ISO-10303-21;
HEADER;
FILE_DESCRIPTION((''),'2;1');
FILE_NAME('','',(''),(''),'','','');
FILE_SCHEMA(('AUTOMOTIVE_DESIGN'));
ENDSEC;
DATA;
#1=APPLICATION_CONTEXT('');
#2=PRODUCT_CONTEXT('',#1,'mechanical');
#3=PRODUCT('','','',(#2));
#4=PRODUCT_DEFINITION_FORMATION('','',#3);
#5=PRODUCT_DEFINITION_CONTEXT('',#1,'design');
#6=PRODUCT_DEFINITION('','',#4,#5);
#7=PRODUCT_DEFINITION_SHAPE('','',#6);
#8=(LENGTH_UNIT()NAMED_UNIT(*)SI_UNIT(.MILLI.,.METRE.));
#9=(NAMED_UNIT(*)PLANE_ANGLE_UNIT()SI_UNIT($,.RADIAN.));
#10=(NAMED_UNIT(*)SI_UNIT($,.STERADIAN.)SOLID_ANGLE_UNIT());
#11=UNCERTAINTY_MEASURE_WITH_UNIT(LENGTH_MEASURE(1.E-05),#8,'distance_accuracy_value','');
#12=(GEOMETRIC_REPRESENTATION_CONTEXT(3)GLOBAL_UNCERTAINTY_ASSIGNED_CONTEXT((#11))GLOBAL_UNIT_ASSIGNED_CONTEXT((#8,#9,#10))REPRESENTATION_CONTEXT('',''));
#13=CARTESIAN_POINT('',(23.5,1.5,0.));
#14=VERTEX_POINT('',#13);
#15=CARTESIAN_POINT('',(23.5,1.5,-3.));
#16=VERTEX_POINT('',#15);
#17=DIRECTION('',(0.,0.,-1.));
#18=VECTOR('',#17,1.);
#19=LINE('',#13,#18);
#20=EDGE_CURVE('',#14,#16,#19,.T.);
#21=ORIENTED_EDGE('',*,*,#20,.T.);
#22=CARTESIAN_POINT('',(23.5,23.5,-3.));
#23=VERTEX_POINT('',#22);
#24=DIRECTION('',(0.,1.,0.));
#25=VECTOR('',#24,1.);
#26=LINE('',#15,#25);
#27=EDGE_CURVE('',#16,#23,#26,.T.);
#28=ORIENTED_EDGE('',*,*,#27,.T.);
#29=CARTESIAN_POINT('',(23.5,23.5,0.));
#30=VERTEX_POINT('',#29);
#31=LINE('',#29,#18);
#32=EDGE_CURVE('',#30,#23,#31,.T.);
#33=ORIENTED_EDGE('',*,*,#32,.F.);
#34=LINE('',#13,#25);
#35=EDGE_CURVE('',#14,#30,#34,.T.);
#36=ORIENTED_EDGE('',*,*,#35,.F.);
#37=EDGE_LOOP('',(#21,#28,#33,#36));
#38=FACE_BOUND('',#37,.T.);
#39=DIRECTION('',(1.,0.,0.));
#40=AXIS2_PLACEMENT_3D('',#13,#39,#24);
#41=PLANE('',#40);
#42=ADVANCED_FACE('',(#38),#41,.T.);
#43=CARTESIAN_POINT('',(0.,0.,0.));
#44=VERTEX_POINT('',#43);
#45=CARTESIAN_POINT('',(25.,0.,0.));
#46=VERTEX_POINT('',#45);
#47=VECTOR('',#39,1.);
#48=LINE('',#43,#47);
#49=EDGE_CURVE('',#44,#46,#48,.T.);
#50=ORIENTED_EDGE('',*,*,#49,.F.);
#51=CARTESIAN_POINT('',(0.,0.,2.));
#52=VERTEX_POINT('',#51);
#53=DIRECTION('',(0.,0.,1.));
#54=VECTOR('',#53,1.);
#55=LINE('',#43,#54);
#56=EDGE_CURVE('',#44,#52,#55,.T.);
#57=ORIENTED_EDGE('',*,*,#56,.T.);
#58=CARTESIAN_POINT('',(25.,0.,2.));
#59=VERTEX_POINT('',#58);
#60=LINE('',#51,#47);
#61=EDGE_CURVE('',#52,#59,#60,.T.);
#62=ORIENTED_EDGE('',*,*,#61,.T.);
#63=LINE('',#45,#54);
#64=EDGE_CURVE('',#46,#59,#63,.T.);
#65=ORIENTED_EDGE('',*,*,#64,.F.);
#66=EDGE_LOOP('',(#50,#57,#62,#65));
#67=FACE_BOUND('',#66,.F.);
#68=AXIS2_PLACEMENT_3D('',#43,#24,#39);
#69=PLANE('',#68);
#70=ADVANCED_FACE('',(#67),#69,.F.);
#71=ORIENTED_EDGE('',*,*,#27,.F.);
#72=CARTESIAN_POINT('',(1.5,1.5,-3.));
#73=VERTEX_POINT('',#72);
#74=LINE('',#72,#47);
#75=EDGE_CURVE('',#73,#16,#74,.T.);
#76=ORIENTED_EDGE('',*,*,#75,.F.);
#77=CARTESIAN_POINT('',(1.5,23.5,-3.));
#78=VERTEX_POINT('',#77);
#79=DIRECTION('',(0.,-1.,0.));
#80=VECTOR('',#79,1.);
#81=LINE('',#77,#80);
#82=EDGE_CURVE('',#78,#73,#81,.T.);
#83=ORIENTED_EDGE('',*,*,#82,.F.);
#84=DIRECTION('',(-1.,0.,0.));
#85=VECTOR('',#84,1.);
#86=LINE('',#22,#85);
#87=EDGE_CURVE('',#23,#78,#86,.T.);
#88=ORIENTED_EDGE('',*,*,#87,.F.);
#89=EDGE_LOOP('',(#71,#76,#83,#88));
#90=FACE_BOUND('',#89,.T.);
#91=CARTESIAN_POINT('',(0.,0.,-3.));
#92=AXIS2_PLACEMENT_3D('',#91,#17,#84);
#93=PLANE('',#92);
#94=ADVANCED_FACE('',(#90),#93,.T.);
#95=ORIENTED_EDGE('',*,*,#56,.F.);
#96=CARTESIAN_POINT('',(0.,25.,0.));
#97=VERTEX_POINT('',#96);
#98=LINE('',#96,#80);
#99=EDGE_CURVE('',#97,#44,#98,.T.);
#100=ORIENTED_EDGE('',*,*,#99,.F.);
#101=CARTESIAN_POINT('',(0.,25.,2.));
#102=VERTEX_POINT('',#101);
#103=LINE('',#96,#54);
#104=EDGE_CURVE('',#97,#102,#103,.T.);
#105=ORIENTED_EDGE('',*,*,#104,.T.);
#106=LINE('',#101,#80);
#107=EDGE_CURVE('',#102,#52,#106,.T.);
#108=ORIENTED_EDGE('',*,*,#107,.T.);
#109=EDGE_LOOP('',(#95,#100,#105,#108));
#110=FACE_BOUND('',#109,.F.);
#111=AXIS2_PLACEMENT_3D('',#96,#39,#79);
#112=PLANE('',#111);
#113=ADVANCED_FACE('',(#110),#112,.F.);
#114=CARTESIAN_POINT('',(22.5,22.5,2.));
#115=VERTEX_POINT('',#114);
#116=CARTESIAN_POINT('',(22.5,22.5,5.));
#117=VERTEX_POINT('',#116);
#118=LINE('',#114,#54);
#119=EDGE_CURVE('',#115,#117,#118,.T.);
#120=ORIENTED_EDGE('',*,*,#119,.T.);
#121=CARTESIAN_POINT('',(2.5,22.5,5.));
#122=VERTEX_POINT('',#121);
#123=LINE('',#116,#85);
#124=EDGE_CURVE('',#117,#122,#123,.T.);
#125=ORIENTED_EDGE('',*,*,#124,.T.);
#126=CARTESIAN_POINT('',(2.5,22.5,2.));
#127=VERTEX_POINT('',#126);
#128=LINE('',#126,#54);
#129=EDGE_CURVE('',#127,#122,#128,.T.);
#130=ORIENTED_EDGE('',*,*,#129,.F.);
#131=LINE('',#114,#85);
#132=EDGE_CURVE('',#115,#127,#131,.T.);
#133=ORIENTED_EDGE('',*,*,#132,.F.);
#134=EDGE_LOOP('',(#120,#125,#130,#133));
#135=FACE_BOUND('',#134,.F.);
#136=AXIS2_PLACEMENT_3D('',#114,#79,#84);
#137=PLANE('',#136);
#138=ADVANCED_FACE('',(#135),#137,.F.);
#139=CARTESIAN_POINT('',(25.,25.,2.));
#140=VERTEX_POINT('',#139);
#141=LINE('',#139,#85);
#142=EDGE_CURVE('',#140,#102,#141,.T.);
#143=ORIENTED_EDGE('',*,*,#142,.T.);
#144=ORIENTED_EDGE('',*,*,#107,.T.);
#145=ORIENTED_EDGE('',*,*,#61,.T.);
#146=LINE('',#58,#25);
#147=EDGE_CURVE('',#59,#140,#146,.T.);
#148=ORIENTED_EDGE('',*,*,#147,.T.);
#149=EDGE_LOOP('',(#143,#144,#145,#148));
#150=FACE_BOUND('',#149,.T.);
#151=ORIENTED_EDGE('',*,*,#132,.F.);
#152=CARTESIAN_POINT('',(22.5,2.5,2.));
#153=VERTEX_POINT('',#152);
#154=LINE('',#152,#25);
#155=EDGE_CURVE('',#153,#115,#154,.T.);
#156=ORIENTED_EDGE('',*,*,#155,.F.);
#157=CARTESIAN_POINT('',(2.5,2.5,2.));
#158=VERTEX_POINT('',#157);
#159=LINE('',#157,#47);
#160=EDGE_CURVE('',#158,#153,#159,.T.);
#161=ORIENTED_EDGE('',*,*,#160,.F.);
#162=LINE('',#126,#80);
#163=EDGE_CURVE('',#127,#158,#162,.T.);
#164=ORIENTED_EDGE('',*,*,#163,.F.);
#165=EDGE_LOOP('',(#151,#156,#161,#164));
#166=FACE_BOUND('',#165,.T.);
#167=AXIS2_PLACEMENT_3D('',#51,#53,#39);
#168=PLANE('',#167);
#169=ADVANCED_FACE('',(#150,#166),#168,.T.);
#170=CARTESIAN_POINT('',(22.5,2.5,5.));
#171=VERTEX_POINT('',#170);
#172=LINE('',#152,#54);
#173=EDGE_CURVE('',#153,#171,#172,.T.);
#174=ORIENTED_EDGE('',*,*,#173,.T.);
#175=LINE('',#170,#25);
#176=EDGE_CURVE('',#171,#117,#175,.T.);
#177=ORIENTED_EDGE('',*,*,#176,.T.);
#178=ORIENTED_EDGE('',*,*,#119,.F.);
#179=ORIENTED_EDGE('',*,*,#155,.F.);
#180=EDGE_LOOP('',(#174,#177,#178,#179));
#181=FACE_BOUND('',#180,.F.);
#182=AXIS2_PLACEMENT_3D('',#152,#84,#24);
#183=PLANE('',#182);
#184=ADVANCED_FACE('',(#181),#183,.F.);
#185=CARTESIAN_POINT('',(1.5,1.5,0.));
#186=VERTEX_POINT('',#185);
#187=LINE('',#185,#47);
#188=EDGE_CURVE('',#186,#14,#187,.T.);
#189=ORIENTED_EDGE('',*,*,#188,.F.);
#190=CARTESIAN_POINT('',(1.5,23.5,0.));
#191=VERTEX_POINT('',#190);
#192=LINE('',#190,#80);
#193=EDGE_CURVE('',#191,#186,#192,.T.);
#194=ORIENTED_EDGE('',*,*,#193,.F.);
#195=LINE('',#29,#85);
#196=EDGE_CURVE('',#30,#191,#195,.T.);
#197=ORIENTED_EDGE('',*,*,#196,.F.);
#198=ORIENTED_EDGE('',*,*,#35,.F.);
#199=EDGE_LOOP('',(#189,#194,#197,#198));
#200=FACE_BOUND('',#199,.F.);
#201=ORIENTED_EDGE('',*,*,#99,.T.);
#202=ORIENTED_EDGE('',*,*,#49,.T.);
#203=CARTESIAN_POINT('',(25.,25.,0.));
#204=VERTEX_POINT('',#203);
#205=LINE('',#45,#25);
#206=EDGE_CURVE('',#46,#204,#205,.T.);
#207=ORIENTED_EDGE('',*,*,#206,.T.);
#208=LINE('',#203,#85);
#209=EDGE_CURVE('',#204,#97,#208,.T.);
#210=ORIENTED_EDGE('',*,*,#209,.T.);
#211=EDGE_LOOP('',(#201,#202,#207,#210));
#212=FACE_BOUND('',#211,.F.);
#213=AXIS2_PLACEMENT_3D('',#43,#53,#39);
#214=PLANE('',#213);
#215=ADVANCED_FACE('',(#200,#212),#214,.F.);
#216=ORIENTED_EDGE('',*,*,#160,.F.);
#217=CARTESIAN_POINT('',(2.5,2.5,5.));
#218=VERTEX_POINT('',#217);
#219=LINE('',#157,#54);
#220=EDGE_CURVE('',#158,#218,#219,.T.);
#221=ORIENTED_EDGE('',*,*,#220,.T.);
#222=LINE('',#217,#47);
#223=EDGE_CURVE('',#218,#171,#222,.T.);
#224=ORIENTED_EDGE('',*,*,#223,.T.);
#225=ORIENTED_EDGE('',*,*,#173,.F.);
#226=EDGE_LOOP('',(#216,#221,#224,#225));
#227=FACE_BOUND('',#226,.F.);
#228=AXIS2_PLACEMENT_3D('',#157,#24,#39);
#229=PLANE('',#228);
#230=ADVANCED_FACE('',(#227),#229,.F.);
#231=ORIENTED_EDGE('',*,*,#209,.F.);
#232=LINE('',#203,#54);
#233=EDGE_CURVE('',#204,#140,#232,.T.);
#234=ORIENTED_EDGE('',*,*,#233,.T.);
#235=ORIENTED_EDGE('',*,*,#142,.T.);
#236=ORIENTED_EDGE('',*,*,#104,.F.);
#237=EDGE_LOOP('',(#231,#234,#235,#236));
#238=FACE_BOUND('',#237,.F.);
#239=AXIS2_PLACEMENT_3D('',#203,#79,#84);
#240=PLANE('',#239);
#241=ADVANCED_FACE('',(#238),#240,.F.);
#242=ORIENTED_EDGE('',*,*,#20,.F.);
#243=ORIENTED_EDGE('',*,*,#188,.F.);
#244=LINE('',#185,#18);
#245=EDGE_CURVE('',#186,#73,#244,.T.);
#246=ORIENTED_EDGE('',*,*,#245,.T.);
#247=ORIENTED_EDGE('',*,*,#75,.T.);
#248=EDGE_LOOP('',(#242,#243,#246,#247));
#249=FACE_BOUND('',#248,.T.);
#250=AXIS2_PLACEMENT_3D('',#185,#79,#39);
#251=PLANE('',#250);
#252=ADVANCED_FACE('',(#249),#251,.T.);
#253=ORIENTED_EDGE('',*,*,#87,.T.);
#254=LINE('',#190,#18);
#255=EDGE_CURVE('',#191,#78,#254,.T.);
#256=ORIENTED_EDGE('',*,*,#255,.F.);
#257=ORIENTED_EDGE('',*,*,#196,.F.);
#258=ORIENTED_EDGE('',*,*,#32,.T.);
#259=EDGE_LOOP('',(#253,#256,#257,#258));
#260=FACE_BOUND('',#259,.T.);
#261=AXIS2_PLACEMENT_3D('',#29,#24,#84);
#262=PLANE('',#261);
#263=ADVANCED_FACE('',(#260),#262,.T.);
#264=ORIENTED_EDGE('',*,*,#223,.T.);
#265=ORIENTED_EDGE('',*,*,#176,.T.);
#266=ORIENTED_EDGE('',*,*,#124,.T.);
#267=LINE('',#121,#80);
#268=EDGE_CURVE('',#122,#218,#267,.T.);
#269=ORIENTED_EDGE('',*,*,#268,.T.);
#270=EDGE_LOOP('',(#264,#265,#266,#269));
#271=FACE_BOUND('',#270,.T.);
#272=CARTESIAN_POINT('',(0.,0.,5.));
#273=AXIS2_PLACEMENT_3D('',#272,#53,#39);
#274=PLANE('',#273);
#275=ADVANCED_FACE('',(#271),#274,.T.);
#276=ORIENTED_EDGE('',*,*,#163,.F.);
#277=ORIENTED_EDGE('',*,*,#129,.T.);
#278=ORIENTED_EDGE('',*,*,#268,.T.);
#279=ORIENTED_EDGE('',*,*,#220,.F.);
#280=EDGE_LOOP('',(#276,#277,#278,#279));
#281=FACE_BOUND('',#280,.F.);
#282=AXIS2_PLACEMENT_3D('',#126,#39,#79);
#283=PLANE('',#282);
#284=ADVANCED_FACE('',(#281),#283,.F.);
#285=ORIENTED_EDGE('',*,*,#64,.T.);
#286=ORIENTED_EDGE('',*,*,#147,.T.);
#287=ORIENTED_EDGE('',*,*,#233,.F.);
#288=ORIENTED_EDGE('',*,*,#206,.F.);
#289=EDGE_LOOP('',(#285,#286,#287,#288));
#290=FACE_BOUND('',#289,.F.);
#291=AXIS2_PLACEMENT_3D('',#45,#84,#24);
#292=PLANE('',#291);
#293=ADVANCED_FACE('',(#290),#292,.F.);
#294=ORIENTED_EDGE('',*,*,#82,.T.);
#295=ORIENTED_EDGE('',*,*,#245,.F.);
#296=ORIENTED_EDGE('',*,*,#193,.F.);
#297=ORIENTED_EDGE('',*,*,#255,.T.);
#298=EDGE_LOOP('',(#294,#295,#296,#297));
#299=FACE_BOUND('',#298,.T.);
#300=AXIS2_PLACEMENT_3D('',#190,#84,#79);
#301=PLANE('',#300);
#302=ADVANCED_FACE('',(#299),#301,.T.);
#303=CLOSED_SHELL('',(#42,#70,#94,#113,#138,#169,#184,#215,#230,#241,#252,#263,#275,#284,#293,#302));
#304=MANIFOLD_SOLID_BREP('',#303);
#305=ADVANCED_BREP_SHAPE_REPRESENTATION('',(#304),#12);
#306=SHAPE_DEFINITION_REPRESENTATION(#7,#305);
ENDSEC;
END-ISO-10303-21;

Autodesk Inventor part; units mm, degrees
ref_plane "YZ Plane" through (0, 0, 0) normal (1, 0, 0) x (0, 1, 0)
ref_plane "XZ Plane" through (0, 0, 0) normal (0, 1, 0) x (-1, 0, 0)
ref_plane "XY Plane" through (0, 0, 0) normal (0, 0, 1) x (1, 0, 0)
sketch "Sketch1" plane through (0, 0, 0) normal (0, 0, 1) x (1, 0, 0)
  line L0 (0, 0) -> (25, 0)
  line L1 (25, 0) -> (25, 25)
  line L2 (25, 25) -> (0, 25)
  line L3 (0, 25) -> (0, 0)
  dimension "d0" = 25
  dimension "d1" = 25
extrude "Extrusion1" add sketch "Sketch1" along normal blind 2
sketch "Sketch2" plane through (0, 0, 2) normal (0, 0, 1) x (1, 0, 0)
  line L0 (0, 0) -> (0, 25) projected
  line L1 (0, 25) -> (25, 25) projected
  line L2 (2.5, 2.5) -> (22.5, 2.5)
  line L3 (22.5, 2.5) -> (22.5, 22.5)
  line L4 (22.5, 22.5) -> (2.5, 22.5)
  line L5 (2.5, 22.5) -> (2.5, 2.5)
  dimension "d4" = 20
  dimension "d5" = 20
  dimension "d6" = 2.5
  dimension "d7" = 2.5
extrude "Extrusion2" add sketch "Sketch2" along normal blind 3
sketch "Sketch3" plane through (0, 0, 0) normal (0, 0, -1) x (-1, 0, 0)
  line L0 (-25, 25) -> (0, 25) projected
  line L1 (-25, 0) -> (-25, 25) projected
  line L2 (-23.5, 23.5) -> (-1.5, 23.5)
  line L3 (-1.5, 23.5) -> (-1.5, 1.5)
  line L4 (-1.5, 1.5) -> (-23.5, 1.5)
  line L5 (-23.5, 1.5) -> (-23.5, 23.5)
  dimension "d10" = 22
  dimension "d11" = 22
  dimension "d12" = 1.5
  dimension "d13" = 1.5
extrude "Extrusion3" add sketch "Sketch3" along normal blind 3
properties part number "antena_gps"
